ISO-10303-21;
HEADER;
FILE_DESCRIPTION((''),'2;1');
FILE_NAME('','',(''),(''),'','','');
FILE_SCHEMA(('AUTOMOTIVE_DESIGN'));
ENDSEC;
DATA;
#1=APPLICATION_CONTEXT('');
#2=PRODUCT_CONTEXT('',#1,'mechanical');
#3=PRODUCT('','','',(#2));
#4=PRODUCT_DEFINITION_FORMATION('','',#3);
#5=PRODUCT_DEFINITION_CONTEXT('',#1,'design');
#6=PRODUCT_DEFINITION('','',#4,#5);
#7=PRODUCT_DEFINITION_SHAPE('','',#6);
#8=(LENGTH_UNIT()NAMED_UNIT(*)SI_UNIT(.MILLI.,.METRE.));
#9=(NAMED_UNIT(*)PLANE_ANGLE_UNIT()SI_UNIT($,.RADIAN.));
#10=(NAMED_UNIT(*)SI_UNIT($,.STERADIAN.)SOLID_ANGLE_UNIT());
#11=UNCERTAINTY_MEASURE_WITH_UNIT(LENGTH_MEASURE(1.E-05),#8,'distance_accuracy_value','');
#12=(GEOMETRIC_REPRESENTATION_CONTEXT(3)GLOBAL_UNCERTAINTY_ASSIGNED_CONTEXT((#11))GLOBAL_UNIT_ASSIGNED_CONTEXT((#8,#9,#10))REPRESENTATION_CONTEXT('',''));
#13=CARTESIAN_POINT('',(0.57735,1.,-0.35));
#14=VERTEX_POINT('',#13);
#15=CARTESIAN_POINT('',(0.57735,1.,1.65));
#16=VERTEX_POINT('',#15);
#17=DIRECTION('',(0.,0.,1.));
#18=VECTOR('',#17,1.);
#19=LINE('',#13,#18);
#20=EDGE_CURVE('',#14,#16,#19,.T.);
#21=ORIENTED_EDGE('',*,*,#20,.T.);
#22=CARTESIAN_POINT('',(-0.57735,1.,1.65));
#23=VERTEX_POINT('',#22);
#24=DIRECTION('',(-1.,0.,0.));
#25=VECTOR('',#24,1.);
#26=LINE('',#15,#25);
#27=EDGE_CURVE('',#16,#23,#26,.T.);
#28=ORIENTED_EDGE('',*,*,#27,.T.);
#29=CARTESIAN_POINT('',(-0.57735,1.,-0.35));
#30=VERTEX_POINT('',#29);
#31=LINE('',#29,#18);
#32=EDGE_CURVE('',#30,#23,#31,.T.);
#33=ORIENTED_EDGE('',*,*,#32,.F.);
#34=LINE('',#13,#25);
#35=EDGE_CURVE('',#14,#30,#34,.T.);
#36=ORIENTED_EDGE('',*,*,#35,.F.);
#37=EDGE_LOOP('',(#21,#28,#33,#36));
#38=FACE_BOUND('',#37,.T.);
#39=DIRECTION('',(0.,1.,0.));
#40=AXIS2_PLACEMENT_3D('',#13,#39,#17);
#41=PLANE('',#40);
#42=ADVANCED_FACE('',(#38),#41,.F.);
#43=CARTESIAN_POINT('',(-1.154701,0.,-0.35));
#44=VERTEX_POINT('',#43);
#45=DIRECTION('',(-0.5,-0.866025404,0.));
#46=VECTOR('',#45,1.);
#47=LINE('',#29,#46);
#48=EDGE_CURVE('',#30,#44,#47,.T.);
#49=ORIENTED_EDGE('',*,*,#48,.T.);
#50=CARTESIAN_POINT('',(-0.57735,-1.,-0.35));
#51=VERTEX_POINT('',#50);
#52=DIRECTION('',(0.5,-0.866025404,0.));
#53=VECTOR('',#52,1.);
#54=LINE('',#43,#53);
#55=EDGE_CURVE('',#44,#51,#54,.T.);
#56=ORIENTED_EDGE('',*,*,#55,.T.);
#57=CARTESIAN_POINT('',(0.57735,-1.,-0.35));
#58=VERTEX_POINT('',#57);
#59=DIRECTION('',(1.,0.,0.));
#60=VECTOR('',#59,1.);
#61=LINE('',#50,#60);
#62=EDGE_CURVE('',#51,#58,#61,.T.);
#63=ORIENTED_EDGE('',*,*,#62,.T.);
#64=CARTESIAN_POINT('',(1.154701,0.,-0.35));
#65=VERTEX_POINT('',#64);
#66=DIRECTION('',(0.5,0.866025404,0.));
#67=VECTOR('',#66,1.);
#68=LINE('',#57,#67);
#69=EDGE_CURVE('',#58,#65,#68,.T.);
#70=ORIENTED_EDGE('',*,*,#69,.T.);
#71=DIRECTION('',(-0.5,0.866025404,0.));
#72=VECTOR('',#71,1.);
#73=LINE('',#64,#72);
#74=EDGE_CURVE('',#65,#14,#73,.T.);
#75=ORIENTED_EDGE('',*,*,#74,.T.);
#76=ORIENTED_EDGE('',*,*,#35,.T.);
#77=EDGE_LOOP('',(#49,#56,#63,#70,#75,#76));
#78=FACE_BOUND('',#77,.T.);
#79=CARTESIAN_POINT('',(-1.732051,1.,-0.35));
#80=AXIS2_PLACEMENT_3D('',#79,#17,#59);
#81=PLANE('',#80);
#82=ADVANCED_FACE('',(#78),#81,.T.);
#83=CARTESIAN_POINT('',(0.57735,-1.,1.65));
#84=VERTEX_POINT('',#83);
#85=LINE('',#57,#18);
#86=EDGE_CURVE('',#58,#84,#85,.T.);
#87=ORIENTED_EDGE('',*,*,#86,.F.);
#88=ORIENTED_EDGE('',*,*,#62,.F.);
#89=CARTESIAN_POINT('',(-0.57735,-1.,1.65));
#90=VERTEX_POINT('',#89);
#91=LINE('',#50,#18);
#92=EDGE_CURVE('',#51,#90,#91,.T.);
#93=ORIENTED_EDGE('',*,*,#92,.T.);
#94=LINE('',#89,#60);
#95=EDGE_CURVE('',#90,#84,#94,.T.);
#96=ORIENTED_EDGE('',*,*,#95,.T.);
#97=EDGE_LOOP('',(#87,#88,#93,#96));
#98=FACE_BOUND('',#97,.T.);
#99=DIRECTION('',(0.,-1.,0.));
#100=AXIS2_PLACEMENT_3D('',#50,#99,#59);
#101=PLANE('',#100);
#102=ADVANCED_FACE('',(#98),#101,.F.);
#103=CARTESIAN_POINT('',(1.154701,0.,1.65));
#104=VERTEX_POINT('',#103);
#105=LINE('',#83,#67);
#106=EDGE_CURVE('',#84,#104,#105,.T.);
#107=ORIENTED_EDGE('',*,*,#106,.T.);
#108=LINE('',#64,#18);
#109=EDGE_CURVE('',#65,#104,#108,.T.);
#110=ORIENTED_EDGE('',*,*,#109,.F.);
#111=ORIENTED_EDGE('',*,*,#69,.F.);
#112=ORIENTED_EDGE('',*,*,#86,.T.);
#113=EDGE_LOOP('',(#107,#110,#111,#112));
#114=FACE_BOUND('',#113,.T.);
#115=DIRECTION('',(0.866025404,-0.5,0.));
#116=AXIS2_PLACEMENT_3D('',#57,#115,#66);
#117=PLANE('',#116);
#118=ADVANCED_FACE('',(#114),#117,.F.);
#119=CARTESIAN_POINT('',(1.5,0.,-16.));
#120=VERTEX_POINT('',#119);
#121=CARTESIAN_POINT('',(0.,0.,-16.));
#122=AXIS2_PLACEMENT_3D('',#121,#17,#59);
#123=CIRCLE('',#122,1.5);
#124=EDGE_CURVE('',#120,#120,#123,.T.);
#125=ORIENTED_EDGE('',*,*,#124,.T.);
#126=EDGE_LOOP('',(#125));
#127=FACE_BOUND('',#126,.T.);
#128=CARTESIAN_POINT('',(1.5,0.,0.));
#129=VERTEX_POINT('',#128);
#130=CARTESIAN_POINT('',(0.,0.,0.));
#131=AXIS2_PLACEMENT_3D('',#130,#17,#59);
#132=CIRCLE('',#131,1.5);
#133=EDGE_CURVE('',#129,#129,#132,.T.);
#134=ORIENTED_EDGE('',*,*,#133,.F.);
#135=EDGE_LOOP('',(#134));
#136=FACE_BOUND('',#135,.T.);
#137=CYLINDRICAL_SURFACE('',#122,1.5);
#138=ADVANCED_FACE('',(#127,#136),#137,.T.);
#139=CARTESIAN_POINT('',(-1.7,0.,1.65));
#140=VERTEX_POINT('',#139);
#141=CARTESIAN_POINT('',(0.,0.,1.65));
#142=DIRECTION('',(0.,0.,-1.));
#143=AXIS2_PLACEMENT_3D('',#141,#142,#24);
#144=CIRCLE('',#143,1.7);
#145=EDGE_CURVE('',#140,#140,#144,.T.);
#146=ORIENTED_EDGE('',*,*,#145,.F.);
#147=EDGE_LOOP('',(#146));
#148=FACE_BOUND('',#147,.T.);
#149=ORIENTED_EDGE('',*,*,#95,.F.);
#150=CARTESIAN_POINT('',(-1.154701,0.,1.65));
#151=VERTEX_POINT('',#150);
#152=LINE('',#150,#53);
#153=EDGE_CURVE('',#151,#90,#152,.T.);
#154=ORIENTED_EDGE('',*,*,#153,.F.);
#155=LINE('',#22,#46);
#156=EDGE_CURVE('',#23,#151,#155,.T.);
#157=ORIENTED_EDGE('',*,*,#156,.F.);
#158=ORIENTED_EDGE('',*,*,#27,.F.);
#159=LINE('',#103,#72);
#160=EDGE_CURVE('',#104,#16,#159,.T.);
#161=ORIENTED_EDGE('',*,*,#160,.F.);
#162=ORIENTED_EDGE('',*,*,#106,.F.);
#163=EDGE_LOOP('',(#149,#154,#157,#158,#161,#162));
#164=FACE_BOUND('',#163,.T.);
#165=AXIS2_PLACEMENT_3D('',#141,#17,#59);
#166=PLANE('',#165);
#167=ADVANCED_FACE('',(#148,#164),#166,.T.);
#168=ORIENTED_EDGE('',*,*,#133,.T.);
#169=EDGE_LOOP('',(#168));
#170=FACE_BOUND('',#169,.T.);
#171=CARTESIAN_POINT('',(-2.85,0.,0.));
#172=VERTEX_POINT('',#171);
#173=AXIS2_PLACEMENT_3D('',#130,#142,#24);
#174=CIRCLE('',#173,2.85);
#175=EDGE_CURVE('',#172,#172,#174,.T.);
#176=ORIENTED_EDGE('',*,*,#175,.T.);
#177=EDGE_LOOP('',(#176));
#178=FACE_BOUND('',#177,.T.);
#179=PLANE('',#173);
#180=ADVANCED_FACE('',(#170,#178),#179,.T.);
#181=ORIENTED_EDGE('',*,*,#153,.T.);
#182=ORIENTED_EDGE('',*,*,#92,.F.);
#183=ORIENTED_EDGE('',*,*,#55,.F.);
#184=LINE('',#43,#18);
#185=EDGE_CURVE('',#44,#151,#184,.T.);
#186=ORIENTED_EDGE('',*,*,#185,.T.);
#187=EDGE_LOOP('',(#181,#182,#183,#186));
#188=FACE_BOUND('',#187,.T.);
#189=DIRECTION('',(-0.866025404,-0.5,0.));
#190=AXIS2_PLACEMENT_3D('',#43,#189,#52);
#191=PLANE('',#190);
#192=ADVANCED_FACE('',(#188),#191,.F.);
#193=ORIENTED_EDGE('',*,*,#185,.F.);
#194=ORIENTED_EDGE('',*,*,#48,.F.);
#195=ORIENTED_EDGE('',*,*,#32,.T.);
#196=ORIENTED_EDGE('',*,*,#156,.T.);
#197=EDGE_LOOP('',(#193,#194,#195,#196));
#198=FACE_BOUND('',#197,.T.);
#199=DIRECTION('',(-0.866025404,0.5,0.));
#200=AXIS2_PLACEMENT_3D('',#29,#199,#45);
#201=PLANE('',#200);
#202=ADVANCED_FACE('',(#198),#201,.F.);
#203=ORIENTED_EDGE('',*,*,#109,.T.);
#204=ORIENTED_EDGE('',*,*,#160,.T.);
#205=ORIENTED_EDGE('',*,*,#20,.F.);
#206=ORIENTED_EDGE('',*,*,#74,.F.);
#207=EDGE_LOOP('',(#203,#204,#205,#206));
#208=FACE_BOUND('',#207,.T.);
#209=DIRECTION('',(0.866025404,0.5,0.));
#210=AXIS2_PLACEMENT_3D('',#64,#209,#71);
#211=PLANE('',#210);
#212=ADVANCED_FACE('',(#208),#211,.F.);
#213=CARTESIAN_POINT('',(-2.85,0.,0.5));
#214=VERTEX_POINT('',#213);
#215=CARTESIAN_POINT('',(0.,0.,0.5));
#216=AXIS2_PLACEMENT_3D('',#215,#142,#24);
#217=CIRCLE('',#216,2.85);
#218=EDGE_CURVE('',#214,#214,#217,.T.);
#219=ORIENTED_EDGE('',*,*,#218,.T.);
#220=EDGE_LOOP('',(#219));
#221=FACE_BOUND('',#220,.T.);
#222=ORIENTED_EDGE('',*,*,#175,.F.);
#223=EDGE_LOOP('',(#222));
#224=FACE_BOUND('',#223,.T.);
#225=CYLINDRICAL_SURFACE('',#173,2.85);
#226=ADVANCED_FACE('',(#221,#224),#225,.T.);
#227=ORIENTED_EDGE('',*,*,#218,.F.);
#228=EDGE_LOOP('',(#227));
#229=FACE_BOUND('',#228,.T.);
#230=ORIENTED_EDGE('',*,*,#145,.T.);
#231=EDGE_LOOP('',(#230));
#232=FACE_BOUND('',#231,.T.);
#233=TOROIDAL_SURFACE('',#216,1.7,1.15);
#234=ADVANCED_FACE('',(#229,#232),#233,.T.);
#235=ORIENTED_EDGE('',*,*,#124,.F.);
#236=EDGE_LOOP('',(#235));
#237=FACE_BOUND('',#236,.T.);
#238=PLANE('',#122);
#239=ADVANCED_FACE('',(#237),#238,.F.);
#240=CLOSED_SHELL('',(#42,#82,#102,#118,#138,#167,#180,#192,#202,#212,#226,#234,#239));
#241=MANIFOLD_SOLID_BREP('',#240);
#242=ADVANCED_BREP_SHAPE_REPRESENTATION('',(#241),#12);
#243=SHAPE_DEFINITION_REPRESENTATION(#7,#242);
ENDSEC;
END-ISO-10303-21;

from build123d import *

# Parameters (mm, degrees)
SKETCH1_R          = 1.5
EXTRUDE1_DEPTH     = 16
CUT_EXTRUDE1_DEPTH = 2


with BuildPart() as part:
    # Sketch1 → Extrude1 (new body)
    with BuildSketch(Plane.XY):
        Circle(SKETCH1_R)
    extrude(amount=-EXTRUDE1_DEPTH)

    # Sketch2 → Revolve1 (revolve)
    with BuildSketch(Plane(origin=(0, 0, 0), x_dir=(0, 0, -1), z_dir=(1, 0, 0)), mode=Mode.PRIVATE) as revolve1_sk:
        with BuildLine():
            Line((0, 0), (0, 2.85))
            Line((0, 2.85), (-0.5, 2.85))
            ThreePointArc((-0.5, 2.85), (-1.313172798, 2.513172798), (-1.65, 1.7))
            Line((-1.65, 1.7), (-1.65, 0))
            Line((-1.65, 0), (0, 0))
        make_face()
    revolve(revolve1_sk.sketch.rotate(Axis((0, 0, 0), (0, 0, 1)), 90), axis=Axis((0, 0, 0), (0, 0, 1)))

    # Sketch3 → Cut-Extrude1 (cut)
    with BuildSketch(Plane.XY.offset(1.65)):
        Polygon((-0.577350269, 1), (-1.154700538, 0), (-0.577350269, -1), (0.577350269, -1), (1.154700538, 0), (0.577350269, 1), align=None)
    extrude(amount=-CUT_EXTRUDE1_DEPTH, mode=Mode.SUBTRACT)


solid = part.part
